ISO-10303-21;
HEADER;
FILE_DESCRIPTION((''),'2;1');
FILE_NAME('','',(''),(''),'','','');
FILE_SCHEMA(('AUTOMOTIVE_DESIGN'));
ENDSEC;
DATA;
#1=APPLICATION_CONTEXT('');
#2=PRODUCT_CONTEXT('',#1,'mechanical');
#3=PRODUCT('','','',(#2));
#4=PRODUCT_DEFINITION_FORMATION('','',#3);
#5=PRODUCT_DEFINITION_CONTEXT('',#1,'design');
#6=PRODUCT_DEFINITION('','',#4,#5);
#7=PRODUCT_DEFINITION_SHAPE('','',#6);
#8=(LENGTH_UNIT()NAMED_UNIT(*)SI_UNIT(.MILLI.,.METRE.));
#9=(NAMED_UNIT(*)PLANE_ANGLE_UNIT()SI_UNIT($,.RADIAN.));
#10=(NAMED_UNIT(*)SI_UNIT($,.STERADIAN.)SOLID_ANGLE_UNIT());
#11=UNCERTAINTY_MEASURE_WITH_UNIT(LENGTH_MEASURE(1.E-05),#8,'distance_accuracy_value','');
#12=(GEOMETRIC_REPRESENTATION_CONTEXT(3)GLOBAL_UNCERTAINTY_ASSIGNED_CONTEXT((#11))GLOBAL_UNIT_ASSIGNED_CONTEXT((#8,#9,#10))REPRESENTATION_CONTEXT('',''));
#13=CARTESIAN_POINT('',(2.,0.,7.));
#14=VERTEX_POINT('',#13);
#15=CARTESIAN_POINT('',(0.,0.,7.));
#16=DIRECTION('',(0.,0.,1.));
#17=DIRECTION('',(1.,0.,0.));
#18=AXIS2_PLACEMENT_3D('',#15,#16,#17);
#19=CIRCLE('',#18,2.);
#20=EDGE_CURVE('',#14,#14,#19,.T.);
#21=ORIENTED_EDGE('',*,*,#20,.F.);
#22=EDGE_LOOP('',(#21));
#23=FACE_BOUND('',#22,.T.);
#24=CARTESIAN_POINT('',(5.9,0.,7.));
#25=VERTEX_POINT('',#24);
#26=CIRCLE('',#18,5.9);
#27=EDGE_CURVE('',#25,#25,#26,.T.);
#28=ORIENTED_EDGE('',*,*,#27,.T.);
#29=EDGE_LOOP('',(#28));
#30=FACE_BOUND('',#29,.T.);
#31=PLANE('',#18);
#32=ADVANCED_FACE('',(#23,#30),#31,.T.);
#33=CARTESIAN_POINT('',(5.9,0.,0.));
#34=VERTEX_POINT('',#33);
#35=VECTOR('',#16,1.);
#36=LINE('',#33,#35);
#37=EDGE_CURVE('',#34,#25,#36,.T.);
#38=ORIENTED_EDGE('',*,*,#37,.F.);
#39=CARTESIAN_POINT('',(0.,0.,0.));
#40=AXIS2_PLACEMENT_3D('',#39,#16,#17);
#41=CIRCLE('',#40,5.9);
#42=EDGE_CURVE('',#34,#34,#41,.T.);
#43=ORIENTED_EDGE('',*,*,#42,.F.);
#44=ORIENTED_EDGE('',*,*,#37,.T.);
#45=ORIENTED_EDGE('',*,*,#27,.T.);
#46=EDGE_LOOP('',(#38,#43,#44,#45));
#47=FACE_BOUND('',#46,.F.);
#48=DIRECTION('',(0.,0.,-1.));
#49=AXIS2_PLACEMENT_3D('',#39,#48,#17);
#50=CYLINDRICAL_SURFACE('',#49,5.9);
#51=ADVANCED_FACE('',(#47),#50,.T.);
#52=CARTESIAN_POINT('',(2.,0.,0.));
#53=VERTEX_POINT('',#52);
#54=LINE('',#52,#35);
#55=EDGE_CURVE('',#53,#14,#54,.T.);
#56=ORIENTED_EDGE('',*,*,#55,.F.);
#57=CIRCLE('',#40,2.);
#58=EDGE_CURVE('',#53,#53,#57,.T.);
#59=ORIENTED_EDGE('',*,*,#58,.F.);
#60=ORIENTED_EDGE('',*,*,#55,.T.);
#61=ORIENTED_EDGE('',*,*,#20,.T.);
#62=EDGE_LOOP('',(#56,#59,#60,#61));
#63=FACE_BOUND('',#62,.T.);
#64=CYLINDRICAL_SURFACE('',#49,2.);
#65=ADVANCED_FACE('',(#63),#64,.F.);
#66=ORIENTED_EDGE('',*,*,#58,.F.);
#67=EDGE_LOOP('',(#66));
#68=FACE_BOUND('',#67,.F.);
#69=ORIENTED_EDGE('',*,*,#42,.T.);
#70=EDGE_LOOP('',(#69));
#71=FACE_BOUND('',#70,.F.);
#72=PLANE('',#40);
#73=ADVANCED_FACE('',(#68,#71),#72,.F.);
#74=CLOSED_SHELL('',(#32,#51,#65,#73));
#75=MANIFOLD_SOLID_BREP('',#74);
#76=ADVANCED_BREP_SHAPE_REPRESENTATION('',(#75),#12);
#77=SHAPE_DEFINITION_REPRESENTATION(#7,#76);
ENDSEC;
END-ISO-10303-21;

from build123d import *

# Parameters (mm, degrees)
SKETCH_1_R      = 5.9
SKETCH_1_R_2    = 2
EXTRUDE_1_DEPTH = 7


with BuildPart() as part:
    # 草图1 → 拉伸-薄壁1 (new body)
    with BuildSketch(Plane.XY):
        Circle(SKETCH_1_R)
        Circle(SKETCH_1_R_2, mode=Mode.SUBTRACT)
    extrude(amount=EXTRUDE_1_DEPTH)


solid = part.part
